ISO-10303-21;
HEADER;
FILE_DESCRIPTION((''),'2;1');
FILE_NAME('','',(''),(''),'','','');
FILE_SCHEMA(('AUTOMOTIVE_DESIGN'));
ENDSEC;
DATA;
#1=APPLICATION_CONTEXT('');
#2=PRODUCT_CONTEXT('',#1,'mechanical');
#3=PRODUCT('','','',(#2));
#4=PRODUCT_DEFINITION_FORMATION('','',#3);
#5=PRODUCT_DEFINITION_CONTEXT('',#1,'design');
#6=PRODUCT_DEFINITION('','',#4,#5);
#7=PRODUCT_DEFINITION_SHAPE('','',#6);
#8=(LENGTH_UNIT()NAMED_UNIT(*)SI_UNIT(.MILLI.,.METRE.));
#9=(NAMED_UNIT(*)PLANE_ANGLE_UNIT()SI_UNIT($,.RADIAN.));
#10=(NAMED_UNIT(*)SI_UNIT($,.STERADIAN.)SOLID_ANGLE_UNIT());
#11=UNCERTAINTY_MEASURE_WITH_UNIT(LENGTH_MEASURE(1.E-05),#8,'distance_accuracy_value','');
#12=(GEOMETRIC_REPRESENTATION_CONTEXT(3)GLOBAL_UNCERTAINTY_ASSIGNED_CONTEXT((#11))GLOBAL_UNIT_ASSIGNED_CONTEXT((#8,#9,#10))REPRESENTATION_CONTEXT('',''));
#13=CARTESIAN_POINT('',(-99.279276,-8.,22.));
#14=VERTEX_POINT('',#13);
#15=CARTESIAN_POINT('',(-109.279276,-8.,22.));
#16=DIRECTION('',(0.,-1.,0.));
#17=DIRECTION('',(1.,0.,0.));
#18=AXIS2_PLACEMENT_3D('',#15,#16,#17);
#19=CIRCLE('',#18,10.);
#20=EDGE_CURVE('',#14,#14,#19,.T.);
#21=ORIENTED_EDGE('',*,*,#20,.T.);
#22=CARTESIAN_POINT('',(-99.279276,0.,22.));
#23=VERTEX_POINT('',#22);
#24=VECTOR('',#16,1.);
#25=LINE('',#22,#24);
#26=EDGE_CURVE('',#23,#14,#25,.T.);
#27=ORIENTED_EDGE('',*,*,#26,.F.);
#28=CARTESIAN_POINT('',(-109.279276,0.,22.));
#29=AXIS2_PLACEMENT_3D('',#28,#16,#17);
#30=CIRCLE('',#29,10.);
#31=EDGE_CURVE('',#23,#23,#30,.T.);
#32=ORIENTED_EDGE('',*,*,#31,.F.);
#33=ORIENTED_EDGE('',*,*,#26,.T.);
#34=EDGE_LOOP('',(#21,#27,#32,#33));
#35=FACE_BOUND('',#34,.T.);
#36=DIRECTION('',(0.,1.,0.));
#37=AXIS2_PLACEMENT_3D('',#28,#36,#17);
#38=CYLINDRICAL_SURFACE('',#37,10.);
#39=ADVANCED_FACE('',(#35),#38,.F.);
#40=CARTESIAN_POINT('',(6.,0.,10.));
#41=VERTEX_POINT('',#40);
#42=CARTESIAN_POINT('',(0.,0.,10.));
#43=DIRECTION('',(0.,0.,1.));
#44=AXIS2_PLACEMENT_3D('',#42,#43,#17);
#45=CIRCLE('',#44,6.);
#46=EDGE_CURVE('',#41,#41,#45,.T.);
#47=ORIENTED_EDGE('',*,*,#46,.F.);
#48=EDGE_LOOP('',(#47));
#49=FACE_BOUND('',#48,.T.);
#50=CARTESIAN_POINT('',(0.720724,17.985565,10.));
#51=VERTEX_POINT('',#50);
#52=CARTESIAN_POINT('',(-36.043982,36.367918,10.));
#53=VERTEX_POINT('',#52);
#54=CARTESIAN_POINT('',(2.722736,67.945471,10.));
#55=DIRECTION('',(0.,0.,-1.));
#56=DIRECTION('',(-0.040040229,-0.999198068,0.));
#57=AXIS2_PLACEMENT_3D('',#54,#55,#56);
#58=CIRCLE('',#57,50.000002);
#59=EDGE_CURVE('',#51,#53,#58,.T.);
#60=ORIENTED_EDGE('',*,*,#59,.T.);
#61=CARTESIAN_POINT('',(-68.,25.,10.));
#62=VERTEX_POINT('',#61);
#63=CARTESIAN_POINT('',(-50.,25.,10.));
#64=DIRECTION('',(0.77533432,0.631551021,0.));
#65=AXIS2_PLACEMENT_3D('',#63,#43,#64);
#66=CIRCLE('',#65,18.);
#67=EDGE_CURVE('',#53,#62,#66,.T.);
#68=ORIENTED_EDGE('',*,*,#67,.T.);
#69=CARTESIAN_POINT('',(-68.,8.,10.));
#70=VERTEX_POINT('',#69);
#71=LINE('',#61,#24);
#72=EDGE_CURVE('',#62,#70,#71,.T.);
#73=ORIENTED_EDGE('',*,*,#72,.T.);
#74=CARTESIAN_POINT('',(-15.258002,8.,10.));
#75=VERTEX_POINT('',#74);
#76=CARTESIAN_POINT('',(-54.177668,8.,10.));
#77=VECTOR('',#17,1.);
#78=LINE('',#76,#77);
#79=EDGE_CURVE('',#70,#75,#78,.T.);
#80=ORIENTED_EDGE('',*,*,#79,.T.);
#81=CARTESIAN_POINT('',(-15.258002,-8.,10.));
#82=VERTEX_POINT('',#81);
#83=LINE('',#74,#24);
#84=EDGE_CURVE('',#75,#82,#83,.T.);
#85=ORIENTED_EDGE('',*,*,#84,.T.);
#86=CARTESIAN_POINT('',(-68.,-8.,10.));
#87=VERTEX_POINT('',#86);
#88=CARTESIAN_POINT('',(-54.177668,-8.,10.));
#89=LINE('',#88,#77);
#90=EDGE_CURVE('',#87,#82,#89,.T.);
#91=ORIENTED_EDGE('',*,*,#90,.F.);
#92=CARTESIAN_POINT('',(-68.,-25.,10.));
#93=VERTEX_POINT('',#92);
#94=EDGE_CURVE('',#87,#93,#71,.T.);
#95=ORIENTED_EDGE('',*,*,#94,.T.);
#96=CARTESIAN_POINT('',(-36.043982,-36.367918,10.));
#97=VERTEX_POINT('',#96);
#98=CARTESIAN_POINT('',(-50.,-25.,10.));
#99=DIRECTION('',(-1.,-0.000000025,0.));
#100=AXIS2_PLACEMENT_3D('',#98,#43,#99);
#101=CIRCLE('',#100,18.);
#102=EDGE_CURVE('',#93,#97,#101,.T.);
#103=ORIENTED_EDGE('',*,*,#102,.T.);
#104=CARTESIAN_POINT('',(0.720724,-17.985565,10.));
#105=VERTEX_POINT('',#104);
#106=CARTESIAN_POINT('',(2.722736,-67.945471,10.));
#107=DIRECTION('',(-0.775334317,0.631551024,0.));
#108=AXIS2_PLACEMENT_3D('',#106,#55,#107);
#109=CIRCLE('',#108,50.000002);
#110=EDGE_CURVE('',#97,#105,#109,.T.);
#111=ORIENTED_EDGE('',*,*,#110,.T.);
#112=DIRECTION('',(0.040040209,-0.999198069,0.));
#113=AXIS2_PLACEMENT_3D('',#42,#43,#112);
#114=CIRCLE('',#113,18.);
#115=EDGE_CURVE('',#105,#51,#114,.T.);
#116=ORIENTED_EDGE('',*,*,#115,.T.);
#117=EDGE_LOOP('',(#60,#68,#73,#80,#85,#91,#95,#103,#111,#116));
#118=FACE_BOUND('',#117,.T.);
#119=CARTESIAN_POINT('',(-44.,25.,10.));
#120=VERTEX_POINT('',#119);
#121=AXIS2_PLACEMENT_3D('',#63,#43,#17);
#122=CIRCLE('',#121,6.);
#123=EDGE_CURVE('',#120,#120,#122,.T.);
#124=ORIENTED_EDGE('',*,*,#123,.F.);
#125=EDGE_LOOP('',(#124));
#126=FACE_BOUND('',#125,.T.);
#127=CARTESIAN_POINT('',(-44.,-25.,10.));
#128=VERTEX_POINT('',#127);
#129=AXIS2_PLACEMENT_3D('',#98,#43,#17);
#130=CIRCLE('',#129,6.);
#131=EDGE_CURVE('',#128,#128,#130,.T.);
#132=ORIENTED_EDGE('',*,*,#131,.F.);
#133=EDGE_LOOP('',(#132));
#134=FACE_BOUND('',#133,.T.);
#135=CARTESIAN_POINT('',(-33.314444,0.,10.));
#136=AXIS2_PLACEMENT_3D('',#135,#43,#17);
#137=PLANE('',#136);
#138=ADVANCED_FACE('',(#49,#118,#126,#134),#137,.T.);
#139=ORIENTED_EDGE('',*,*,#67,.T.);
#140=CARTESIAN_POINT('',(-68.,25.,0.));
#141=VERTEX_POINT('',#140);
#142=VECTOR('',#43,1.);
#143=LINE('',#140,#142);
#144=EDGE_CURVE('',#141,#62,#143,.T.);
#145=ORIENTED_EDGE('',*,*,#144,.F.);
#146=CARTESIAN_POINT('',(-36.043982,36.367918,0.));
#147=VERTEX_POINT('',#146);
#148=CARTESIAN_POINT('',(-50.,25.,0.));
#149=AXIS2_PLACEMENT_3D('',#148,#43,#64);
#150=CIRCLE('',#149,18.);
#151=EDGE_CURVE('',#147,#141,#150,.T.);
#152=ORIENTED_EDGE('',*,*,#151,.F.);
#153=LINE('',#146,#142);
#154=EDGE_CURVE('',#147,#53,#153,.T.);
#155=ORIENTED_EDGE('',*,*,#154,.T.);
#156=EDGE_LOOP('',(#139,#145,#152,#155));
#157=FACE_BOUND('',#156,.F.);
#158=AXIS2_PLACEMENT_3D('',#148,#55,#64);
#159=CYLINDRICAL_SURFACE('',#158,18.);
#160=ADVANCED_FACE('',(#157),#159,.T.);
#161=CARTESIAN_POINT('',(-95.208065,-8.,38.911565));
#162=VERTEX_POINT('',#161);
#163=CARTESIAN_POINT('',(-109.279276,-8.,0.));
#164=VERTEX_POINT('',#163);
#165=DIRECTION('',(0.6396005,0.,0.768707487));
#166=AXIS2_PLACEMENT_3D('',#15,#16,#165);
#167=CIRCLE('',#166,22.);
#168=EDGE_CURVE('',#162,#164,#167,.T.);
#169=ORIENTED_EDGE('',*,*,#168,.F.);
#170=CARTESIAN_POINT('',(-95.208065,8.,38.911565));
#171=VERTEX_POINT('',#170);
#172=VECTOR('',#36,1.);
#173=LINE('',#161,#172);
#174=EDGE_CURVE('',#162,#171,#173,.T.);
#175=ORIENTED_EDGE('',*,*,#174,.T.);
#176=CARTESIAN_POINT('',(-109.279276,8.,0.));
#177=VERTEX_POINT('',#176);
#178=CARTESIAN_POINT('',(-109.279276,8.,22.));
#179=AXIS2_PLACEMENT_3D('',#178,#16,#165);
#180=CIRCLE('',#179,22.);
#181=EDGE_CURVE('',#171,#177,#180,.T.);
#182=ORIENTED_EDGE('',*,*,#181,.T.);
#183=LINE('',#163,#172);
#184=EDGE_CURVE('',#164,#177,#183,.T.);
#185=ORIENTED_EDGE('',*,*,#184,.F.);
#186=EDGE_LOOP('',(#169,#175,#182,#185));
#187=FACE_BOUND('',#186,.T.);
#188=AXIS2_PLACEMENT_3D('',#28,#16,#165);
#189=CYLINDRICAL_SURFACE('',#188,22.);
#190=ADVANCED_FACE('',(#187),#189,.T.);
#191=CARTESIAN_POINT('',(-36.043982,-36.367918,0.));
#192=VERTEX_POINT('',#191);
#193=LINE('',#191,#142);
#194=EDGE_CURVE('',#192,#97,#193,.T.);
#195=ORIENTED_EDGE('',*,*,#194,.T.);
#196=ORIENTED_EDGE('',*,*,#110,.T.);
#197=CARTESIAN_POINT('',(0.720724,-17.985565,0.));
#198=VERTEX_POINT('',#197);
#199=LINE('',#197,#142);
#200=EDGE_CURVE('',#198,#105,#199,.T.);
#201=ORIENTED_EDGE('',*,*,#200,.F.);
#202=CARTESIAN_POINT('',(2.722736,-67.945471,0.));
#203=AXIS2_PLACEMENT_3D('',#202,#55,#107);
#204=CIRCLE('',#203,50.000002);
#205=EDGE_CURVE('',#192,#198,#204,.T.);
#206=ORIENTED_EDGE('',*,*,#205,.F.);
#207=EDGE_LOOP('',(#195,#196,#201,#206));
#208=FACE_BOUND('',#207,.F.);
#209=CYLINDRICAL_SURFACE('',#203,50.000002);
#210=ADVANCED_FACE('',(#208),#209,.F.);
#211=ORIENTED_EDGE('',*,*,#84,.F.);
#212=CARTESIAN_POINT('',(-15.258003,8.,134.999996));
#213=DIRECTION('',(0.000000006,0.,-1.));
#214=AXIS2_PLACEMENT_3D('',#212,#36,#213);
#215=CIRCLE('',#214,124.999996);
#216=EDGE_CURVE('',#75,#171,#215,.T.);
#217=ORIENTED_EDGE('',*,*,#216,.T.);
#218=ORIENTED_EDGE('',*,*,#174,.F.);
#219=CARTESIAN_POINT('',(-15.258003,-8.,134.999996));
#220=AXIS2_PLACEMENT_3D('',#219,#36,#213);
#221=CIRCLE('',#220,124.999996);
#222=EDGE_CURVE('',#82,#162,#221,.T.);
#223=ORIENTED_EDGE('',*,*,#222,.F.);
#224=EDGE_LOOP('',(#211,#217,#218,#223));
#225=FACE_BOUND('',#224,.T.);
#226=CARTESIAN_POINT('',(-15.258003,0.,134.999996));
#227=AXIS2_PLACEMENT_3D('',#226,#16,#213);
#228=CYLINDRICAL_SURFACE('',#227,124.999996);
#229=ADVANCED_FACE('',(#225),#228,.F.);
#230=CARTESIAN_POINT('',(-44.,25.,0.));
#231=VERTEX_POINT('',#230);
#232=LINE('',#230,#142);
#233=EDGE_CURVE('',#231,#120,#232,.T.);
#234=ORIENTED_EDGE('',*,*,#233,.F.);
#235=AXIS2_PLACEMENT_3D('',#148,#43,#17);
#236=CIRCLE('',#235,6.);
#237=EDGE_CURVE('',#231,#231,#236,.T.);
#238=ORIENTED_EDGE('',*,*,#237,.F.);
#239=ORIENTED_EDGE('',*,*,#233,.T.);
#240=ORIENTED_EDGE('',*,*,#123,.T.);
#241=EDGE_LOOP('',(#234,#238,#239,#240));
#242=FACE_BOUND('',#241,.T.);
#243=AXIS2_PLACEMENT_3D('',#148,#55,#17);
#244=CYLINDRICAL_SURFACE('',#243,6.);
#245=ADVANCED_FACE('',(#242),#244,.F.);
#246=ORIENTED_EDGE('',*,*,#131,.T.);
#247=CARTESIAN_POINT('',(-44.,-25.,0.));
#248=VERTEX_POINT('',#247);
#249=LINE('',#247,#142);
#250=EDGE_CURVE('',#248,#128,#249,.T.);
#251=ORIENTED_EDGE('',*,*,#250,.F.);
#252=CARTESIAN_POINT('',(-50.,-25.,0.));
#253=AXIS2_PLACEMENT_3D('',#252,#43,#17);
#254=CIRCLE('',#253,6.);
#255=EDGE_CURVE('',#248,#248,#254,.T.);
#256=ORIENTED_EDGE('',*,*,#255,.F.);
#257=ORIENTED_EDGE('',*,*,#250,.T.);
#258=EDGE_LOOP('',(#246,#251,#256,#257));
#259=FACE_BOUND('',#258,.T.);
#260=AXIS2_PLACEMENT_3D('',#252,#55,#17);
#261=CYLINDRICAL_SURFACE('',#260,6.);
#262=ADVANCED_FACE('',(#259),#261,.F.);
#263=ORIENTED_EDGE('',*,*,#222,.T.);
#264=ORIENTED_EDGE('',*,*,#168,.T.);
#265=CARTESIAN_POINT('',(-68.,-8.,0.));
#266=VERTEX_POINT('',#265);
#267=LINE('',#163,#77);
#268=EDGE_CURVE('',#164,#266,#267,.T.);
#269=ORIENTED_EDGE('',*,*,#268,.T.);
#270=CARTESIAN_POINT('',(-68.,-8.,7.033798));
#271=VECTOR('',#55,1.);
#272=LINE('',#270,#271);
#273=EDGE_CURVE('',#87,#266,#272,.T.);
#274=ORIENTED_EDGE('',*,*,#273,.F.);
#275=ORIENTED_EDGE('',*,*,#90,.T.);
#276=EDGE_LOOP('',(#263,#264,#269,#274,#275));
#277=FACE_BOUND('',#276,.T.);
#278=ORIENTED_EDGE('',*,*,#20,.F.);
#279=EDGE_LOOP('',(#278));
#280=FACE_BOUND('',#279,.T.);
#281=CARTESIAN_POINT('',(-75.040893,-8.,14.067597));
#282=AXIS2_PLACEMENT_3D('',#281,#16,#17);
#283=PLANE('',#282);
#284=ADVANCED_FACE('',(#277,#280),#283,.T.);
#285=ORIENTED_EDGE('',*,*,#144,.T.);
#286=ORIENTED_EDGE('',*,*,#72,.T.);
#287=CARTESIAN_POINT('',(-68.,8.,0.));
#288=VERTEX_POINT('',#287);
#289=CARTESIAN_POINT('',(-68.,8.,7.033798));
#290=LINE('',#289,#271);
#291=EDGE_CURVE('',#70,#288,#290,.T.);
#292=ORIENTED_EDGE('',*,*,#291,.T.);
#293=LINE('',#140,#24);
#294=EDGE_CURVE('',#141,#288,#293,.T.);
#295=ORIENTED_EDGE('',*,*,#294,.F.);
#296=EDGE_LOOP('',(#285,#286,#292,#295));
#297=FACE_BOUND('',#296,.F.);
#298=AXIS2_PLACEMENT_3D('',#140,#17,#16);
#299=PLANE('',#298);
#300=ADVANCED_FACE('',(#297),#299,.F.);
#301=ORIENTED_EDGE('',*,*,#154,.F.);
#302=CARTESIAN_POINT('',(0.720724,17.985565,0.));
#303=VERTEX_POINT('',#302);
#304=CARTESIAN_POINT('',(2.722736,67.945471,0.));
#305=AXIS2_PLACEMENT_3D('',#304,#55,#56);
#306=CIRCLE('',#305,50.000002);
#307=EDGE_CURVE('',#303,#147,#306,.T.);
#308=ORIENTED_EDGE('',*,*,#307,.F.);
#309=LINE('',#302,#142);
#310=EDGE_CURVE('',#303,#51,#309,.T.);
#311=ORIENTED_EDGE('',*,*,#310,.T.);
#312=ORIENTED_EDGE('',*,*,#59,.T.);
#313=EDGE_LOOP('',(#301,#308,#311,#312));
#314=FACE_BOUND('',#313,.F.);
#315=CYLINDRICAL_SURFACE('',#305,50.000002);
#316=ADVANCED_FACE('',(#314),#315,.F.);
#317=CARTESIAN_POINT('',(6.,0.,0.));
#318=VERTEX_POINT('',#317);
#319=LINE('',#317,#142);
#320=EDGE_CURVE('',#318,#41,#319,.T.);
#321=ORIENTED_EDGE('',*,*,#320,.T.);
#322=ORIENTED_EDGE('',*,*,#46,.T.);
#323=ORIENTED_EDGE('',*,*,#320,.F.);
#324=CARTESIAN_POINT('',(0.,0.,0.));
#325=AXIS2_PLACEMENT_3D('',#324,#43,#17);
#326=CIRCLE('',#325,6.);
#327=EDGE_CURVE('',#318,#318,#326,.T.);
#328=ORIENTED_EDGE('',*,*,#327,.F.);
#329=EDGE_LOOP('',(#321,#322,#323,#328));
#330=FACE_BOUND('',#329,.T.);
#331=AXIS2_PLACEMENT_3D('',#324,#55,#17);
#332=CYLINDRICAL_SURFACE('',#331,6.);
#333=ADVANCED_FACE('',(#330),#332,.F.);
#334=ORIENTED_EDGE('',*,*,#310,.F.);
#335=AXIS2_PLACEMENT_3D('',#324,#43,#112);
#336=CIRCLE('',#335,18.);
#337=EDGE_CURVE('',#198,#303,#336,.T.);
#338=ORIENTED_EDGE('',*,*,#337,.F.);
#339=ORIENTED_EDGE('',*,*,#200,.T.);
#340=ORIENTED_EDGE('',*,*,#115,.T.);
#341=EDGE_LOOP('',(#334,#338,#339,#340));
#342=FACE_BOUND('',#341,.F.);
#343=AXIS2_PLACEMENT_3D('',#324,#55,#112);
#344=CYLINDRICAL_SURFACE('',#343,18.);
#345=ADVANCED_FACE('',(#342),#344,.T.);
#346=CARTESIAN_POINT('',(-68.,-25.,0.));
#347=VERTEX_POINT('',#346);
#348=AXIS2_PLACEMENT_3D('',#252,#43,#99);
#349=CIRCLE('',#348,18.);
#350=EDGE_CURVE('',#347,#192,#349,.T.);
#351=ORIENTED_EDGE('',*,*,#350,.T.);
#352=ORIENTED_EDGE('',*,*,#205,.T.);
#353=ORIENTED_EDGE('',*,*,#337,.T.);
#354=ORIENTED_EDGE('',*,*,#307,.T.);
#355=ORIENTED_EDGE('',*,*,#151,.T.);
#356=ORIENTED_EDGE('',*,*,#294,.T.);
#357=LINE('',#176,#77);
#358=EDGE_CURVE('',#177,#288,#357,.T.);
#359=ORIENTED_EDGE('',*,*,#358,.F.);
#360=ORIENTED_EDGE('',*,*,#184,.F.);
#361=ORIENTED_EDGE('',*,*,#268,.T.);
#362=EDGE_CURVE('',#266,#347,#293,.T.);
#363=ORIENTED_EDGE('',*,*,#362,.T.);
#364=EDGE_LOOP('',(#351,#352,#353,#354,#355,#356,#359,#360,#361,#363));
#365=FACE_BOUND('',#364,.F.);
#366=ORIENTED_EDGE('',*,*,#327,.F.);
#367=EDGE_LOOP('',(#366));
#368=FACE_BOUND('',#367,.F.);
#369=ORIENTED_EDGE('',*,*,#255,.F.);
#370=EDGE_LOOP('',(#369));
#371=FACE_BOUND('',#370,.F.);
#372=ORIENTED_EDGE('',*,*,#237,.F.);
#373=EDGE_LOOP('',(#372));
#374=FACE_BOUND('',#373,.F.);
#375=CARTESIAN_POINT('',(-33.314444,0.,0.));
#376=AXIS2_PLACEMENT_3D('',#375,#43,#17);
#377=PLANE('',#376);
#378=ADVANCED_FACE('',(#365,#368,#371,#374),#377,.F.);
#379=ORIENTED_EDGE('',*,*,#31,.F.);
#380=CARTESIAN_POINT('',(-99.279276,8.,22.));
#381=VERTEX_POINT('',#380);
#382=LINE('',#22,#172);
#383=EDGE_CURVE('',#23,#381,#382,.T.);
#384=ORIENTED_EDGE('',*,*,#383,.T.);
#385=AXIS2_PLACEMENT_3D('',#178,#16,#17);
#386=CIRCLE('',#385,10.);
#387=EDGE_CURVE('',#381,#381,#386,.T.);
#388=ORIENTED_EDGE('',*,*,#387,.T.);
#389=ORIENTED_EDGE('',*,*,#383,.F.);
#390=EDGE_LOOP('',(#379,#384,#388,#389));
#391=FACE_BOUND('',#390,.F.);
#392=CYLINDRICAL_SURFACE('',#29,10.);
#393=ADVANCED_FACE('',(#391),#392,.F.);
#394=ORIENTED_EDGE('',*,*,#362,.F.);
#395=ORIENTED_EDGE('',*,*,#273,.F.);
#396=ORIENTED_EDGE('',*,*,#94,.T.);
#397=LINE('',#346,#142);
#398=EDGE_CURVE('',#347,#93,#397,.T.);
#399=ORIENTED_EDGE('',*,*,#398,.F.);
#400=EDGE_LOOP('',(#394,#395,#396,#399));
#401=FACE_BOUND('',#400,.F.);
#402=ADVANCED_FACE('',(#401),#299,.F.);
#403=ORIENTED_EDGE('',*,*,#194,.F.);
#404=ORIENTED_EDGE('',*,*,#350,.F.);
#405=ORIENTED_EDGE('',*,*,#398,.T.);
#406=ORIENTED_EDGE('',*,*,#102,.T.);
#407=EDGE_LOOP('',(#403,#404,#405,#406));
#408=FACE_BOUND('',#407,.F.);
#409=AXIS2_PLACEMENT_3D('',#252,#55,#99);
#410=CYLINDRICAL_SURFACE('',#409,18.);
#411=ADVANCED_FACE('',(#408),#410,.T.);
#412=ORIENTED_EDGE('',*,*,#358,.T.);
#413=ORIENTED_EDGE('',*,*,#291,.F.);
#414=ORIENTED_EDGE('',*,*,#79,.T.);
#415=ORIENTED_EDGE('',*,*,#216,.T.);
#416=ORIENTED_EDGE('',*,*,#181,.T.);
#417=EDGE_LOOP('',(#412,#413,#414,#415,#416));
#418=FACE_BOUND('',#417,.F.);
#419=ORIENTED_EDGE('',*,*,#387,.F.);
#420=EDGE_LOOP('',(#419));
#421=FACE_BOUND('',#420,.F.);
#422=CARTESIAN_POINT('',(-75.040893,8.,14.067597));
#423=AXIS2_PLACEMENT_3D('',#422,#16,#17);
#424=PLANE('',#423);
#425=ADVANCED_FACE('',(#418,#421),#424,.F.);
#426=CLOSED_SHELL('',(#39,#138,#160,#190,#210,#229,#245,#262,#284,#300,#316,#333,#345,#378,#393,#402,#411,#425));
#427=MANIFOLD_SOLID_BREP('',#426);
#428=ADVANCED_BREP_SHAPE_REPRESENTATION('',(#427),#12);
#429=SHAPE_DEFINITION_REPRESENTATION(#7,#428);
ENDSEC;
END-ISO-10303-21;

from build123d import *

# Parameters (mm, degrees)
F0_R          = 6
F1_DEPTH      = 10
F2_R          = 10
F3_DEPTH      = 8
F3_DEPTH_BACK = 8


with BuildPart() as f1:
    # F0 (on Top) → F1 (new body)
    with BuildSketch(Plane.XY):
        with BuildLine():
            ThreePointArc((-36.043982, -36.367918), (-19.637945, -23.224109), (0.720724, -17.985565))
            ThreePointArc((0.720724, -17.985565), (18, 0), (0.720724, 17.985565))
            ThreePointArc((0.720724, 17.985565), (-19.637945, 23.224109), (-36.043982, 36.367918))
            ThreePointArc((-36.043982, 36.367918), (-56.032896, 41.958896), (-68, 25))
            Line((-68, 25), (-68, -25))
            ThreePointArc((-68, -25), (-56.032896, -41.958896), (-36.043982, -36.367918))
        make_face()
        with Locations((-50, -25)):
            Circle(F0_R, mode=Mode.SUBTRACT)
        Circle(F0_R, mode=Mode.SUBTRACT)
        with Locations((-50, 25)):
            Circle(F0_R, mode=Mode.SUBTRACT)
    extrude(amount=F1_DEPTH)

    # F2 (on Front) → F3 (join, two sides)
    with BuildSketch(Plane.XZ) as f3_sk:
        with BuildLine():
            Line((-15.258002, 0), (-15.258002, 10))
            ThreePointArc((-15.258002, 10), (-57.766505, 17.449895), (-95.208065, 38.911565))
            ThreePointArc((-95.208065, 38.911565), (-129.968095, 29.481496), (-109.279276, 0))
            Line((-109.279276, 0), (-15.258002, 0))
        make_face()
        with Locations((-109.279276, 22)):
            Circle(F2_R, mode=Mode.SUBTRACT)
    extrude(amount=F3_DEPTH)
    extrude(f3_sk.sketch, amount=-F3_DEPTH_BACK)


solid = f1.part
